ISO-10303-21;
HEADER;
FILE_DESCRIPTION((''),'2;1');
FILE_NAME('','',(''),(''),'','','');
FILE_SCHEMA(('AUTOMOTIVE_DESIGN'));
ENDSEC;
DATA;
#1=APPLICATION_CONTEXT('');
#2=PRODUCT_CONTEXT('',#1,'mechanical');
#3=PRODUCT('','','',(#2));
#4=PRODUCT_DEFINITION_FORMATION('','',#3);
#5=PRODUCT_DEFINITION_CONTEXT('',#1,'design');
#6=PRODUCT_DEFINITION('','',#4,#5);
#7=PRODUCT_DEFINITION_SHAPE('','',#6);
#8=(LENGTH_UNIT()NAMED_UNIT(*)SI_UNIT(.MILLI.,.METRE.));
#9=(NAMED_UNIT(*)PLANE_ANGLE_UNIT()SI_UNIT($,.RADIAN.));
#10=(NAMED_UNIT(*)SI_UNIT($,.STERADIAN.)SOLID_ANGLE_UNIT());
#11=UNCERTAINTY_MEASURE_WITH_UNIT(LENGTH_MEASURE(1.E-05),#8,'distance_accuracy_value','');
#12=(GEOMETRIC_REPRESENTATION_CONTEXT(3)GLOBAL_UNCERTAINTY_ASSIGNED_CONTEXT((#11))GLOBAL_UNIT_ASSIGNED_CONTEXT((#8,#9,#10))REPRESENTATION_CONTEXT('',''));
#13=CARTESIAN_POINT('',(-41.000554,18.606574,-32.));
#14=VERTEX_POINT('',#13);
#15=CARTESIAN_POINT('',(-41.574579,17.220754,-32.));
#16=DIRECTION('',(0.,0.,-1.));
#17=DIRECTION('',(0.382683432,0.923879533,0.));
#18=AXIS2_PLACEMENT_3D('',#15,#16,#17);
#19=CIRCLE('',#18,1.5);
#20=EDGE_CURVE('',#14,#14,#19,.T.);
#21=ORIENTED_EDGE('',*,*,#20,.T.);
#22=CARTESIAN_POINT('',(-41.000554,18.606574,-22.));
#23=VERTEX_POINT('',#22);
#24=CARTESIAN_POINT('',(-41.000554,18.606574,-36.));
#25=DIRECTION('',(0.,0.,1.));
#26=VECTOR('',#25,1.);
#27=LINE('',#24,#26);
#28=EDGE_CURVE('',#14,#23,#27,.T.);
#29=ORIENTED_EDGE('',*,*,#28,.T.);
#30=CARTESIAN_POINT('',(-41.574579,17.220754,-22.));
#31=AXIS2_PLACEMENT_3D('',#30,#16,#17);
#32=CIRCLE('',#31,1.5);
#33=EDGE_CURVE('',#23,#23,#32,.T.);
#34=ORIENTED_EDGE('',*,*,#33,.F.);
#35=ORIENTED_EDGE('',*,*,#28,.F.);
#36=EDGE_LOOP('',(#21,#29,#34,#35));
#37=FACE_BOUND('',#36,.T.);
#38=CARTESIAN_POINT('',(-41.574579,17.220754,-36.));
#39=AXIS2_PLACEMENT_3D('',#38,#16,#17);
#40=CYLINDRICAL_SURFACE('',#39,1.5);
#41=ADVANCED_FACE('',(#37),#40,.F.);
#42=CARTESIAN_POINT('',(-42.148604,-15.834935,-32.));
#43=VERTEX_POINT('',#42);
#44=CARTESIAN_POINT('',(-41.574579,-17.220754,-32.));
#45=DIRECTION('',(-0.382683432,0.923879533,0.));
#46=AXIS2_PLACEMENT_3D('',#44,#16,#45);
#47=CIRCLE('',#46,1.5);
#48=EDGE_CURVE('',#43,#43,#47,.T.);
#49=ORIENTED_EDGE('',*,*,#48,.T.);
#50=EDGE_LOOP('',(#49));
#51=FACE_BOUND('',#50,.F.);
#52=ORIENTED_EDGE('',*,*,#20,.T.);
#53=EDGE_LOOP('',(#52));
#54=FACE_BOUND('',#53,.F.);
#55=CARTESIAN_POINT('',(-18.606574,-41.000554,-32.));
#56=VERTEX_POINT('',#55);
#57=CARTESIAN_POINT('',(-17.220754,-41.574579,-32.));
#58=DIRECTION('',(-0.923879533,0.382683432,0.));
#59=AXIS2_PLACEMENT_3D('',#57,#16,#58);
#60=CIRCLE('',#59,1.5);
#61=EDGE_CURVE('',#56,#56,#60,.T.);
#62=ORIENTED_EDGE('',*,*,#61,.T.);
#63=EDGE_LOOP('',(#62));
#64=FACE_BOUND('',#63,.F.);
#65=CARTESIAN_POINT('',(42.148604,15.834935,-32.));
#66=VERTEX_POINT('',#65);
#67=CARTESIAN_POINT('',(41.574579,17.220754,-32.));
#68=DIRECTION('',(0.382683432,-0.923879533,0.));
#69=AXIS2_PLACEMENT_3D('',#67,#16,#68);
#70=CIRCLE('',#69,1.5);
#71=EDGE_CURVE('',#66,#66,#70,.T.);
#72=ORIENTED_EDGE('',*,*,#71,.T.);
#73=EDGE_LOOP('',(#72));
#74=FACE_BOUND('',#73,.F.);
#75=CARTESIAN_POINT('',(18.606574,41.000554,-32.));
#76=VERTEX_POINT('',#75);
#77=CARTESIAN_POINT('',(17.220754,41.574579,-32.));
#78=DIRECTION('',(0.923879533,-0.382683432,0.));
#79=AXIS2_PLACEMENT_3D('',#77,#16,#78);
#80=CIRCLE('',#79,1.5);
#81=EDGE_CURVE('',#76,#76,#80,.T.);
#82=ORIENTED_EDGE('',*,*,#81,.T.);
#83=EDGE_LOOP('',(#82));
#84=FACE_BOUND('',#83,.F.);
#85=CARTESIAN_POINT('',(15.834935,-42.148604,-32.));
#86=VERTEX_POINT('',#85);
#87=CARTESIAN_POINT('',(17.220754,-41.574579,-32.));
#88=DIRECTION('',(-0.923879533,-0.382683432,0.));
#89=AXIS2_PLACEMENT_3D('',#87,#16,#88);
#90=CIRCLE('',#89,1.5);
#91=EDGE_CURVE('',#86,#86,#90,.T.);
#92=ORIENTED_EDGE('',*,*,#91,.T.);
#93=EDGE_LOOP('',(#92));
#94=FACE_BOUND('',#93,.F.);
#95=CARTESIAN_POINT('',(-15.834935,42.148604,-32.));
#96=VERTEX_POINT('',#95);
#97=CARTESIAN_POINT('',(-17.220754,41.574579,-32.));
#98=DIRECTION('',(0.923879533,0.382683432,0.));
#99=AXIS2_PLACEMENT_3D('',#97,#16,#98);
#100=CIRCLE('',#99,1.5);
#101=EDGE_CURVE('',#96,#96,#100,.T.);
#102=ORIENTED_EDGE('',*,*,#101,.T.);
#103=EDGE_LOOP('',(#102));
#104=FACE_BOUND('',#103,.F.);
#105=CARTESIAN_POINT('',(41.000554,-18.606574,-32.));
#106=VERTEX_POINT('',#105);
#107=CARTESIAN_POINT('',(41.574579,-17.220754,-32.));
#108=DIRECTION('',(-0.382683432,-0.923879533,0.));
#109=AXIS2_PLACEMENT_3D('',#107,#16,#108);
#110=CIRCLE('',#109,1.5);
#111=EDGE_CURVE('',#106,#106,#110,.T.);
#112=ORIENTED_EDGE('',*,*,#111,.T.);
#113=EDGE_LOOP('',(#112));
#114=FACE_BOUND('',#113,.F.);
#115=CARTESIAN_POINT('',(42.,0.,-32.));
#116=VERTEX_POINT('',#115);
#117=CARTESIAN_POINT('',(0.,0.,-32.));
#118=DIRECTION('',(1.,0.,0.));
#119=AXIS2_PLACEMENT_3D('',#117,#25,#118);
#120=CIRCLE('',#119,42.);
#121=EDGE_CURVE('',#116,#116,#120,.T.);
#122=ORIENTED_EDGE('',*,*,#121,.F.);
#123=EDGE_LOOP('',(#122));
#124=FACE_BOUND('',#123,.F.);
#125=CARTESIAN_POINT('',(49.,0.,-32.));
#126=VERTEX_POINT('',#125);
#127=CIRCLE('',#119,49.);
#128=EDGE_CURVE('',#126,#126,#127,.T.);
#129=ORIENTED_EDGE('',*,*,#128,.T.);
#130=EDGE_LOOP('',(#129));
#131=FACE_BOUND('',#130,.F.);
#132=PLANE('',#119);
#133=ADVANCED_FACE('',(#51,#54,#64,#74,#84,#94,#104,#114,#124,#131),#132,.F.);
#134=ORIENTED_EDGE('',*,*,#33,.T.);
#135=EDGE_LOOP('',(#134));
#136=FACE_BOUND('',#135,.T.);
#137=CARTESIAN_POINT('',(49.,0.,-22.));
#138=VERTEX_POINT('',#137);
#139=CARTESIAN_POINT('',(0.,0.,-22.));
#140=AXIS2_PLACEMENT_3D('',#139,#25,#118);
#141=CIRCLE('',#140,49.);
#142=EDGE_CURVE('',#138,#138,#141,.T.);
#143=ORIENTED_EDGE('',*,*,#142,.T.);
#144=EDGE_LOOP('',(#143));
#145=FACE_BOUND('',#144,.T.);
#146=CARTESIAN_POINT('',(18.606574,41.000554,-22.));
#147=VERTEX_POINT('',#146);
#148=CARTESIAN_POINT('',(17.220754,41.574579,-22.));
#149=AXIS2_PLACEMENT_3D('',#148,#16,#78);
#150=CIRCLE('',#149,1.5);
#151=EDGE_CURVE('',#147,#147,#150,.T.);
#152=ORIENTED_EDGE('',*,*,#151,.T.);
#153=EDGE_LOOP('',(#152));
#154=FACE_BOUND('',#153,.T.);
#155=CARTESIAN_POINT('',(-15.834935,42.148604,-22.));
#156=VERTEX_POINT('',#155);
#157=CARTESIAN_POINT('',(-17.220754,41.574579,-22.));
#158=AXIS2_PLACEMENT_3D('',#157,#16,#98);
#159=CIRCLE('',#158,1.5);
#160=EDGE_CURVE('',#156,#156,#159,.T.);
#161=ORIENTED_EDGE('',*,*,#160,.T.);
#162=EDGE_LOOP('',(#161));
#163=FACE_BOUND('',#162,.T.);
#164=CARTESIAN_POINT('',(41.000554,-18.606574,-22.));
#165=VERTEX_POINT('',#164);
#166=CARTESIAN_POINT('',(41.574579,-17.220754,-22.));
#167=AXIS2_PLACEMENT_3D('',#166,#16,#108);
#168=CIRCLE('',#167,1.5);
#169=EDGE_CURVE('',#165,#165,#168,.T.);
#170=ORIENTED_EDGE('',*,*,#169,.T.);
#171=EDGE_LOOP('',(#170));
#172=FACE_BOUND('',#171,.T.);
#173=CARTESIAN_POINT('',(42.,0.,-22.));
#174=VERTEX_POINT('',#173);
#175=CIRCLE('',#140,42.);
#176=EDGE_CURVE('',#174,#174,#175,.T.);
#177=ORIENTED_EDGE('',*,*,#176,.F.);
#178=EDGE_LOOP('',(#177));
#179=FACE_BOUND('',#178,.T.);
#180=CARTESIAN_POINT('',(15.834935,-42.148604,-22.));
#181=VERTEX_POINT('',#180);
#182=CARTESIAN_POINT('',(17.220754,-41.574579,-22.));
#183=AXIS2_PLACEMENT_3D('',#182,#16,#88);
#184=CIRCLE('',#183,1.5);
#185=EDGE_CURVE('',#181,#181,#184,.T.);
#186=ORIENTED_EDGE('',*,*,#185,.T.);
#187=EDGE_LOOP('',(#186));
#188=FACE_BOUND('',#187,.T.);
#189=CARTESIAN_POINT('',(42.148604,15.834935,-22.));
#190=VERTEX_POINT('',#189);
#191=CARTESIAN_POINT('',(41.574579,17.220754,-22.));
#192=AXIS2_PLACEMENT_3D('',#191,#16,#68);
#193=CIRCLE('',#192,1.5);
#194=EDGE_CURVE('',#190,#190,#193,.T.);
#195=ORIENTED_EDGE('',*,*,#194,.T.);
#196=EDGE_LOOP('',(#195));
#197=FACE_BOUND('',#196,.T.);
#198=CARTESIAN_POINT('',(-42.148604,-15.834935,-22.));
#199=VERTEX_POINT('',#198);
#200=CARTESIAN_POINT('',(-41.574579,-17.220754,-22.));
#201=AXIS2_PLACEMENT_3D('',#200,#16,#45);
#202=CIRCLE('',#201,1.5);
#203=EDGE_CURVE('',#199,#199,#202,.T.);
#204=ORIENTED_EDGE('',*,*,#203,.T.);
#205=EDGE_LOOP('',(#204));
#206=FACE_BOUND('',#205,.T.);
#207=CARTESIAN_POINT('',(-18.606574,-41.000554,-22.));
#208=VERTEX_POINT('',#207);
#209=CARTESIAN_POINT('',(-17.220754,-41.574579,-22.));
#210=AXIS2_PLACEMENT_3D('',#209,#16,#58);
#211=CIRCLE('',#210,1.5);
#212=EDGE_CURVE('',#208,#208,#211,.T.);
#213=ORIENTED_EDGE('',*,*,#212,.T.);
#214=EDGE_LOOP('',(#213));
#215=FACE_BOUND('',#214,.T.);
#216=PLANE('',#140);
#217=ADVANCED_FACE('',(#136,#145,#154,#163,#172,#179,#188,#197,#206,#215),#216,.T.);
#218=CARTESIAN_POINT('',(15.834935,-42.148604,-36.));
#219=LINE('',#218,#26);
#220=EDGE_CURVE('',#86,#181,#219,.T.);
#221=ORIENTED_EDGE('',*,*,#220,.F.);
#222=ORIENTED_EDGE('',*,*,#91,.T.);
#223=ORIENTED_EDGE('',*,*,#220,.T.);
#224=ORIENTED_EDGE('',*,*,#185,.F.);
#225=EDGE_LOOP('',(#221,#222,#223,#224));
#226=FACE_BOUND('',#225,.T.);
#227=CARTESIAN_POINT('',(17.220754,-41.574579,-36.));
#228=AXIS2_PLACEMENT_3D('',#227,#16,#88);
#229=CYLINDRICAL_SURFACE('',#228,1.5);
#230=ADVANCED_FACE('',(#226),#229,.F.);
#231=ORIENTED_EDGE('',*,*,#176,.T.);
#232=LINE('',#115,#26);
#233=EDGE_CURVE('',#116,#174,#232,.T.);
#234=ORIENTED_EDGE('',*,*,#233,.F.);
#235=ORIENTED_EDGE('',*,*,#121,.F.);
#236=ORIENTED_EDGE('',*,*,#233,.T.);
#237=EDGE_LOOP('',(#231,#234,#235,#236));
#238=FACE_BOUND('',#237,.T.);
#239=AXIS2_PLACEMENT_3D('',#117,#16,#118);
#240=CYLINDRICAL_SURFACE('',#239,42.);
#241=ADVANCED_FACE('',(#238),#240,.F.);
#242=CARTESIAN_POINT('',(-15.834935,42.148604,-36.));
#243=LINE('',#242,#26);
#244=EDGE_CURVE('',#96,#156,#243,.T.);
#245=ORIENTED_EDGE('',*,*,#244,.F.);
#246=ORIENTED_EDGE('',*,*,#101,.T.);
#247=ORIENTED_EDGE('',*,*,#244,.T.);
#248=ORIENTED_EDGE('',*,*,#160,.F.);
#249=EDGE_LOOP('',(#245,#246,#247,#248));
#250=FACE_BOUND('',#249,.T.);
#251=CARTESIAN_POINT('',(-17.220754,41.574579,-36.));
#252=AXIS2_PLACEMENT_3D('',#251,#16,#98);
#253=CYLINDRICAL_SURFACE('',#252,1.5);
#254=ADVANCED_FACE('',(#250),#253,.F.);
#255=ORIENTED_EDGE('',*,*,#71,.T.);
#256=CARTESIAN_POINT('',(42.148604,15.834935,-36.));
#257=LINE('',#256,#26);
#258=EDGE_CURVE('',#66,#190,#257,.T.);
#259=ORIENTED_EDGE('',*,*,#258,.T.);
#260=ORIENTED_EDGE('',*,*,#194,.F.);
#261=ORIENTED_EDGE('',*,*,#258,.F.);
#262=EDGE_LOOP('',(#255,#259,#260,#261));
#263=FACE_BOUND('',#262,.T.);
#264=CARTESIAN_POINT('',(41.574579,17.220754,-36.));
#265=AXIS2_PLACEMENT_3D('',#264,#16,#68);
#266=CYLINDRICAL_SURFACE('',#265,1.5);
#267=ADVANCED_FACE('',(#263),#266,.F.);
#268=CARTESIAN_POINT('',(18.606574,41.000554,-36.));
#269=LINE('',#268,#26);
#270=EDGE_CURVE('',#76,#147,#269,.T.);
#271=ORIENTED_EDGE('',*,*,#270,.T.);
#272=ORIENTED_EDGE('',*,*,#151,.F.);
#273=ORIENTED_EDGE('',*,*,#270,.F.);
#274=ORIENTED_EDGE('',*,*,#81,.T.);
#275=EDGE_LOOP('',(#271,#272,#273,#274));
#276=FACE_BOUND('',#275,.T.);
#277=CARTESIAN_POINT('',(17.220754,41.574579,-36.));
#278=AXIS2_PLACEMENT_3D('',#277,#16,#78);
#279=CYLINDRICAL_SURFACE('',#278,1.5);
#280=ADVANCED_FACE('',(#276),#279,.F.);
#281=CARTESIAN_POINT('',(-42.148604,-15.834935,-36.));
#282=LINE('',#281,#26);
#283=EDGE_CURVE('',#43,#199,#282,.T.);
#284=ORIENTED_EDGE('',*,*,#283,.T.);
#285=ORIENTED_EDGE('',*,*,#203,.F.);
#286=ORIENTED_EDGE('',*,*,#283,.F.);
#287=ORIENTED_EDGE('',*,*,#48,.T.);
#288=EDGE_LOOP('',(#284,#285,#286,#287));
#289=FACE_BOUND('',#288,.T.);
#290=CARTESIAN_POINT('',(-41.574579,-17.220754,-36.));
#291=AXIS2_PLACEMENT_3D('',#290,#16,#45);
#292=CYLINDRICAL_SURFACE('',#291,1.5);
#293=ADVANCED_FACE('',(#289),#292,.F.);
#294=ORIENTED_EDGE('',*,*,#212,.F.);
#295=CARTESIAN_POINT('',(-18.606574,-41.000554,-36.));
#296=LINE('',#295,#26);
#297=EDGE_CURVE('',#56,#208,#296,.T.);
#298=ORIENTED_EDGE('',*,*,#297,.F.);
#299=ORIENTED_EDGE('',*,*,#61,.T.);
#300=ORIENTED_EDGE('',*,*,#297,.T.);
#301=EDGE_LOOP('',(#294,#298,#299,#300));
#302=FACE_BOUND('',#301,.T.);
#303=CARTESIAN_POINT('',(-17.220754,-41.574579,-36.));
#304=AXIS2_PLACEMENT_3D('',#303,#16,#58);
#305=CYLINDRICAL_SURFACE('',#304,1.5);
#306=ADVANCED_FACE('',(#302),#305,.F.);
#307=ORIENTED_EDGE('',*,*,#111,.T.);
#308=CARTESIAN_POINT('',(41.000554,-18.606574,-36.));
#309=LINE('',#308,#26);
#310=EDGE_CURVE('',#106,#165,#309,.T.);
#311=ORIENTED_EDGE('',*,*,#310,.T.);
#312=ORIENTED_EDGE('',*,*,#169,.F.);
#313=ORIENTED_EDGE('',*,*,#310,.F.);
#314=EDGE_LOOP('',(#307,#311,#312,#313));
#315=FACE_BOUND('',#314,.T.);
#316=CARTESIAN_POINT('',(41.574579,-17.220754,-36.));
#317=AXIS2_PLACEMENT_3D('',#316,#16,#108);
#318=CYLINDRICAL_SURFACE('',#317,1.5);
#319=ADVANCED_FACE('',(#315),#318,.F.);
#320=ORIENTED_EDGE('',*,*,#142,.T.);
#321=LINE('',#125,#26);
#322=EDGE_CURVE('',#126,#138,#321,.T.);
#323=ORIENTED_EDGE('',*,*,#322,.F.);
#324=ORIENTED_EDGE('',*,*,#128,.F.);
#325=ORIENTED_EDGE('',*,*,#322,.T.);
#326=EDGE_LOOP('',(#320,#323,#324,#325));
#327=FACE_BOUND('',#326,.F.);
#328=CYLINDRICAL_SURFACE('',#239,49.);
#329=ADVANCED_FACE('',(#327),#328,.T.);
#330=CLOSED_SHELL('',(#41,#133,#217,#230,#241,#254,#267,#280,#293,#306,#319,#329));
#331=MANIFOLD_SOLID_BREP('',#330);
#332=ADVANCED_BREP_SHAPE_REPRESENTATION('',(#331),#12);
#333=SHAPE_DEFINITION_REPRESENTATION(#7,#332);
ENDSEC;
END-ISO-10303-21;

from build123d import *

# Parameters (mm, degrees)
CYLINDER662_R               = 1.5
CYLINDER662_DEPTH           = 20
CYLINDER662_PLACEMENT_ANGLE = 45
CYLINDER664_R               = 1.5
CYLINDER664_DEPTH           = 20
CYLINDER661_R               = 1.5
CYLINDER661_DEPTH           = 20
CYLINDER661_PLACEMENT_ANGLE = 135
CYLINDER663_R               = 1.5
CYLINDER663_DEPTH           = 20
CYLINDER667_R               = 1.5
CYLINDER667_DEPTH           = 20
CYLINDER667_PLACEMENT_ANGLE = 225
CYLINDER665_R               = 1.5
CYLINDER665_DEPTH           = 20
CYLINDER666_R               = 1.5
CYLINDER666_DEPTH           = 20
CYLINDER666_PLACEMENT_ANGLE = 45
CYLINDER660_R               = 1.5
CYLINDER660_DEPTH           = 20
COMPOUND661_PLACEMENT_ANGLE = 22.5
TUBE041_R                   = 49
TUBE041_R_2                 = 42
TUBE041_DEPTH               = 10


with BuildPart() as v_lec662:
    # Cylinder662 → Cylinder662 (new body)
    with BuildSketch(Plane.XY):
        Circle(CYLINDER662_R)
    extrude(amount=CYLINDER662_DEPTH)


with BuildPart() as v_lec662_1:
    # Cylinder662 placement: moved
    add(v_lec662.part.moved(Location((-31.819805, 31.819805, -18))).rotate(Axis((-31.819805, 31.819805, -18), (0, 0, 1)), CYLINDER662_PLACEMENT_ANGLE))


with BuildPart() as v_lec664:
    # Cylinder664 → Cylinder664 (new body)
    with BuildSketch(Plane(origin=(-45, 0, -18), x_dir=(0, 1, 0), z_dir=(0, 0, 1))):
        Circle(CYLINDER664_R)
    extrude(amount=CYLINDER664_DEPTH)


with BuildPart() as v_lec661:
    # Cylinder661 → Cylinder661 (new body)
    with BuildSketch(Plane.XY):
        Circle(CYLINDER661_R)
    extrude(amount=CYLINDER661_DEPTH)


with BuildPart() as v_lec661_1:
    # Cylinder661 placement: moved
    add(v_lec661.part.moved(Location((-31.819805, -31.819805, -18))).rotate(Axis((-31.819805, -31.819805, -18), (0, 0, 1)), CYLINDER661_PLACEMENT_ANGLE))


with BuildPart() as v_lec663:
    # Cylinder663 → Cylinder663 (new body)
    with BuildSketch(Plane(origin=(0, -45, -18), x_dir=(-1, 0, 0), z_dir=(0, 0, 1))):
        Circle(CYLINDER663_R)
    extrude(amount=CYLINDER663_DEPTH)


with BuildPart() as v_lec667:
    # Cylinder667 → Cylinder667 (new body)
    with BuildSketch(Plane.XY):
        Circle(CYLINDER667_R)
    extrude(amount=CYLINDER667_DEPTH)


with BuildPart() as v_lec667_1:
    # Cylinder667 placement: moved
    add(v_lec667.part.moved(Location((31.819805, -31.819805, -18))).rotate(Axis((31.819805, -31.819805, -18), (0, 0, 1)), CYLINDER667_PLACEMENT_ANGLE))


with BuildPart() as v_lec665:
    # Cylinder665 → Cylinder665 (new body)
    with BuildSketch(Plane(origin=(45, 0, -18), x_dir=(0, -1, 0), z_dir=(0, 0, 1))):
        Circle(CYLINDER665_R)
    extrude(amount=CYLINDER665_DEPTH)


with BuildPart() as v_lec666:
    # Cylinder666 → Cylinder666 (new body)
    with BuildSketch(Plane.XY):
        Circle(CYLINDER666_R)
    extrude(amount=CYLINDER666_DEPTH)


with BuildPart() as v_lec666_1:
    # Cylinder666 placement: moved
    add(v_lec666.part.moved(Location((31.819805, 31.819805, -18))).rotate(Axis((31.819805, 31.819805, -18), (0, 0, -1)), CYLINDER666_PLACEMENT_ANGLE))


with BuildPart() as compound661:
    # Cylinder660 → Cylinder660 (new body)
    with BuildSketch(Plane(origin=(0, 45, -18), x_dir=(1, 0, 0), z_dir=(0, 0, 1))):
        Circle(CYLINDER660_R)
    extrude(amount=CYLINDER660_DEPTH)

    # Compound661: union Válec662, Válec664, Válec661, Válec663, Válec667, Válec665, Válec666
    add(v_lec662_1.part)
    add(v_lec664.part)
    add(v_lec661_1.part)
    add(v_lec663.part)
    add(v_lec667_1.part)
    add(v_lec665.part)
    add(v_lec666_1.part)


with BuildPart() as compound661_1:
    # Compound661 placement: moved
    add(compound661.part.moved(Location((0, 0, -8))).rotate(Axis((0, 0, -8), (0, 0, 1)), COMPOUND661_PLACEMENT_ANGLE))


with BuildPart() as cut291:
    # Tube041 → Tube041 (new body)
    with BuildSketch(Plane.XY.offset(-22)):
        Circle(TUBE041_R)
        Circle(TUBE041_R_2, mode=Mode.SUBTRACT)
    extrude(amount=TUBE041_DEPTH)

    # Cut291: cut Compound661
    add(compound661_1.part, mode=Mode.SUBTRACT)


with BuildPart() as cut291_1:
    # Cut291 placement: moved
    add(cut291.part.moved(Location((0, 0, -10))))


solid = cut291_1.part
